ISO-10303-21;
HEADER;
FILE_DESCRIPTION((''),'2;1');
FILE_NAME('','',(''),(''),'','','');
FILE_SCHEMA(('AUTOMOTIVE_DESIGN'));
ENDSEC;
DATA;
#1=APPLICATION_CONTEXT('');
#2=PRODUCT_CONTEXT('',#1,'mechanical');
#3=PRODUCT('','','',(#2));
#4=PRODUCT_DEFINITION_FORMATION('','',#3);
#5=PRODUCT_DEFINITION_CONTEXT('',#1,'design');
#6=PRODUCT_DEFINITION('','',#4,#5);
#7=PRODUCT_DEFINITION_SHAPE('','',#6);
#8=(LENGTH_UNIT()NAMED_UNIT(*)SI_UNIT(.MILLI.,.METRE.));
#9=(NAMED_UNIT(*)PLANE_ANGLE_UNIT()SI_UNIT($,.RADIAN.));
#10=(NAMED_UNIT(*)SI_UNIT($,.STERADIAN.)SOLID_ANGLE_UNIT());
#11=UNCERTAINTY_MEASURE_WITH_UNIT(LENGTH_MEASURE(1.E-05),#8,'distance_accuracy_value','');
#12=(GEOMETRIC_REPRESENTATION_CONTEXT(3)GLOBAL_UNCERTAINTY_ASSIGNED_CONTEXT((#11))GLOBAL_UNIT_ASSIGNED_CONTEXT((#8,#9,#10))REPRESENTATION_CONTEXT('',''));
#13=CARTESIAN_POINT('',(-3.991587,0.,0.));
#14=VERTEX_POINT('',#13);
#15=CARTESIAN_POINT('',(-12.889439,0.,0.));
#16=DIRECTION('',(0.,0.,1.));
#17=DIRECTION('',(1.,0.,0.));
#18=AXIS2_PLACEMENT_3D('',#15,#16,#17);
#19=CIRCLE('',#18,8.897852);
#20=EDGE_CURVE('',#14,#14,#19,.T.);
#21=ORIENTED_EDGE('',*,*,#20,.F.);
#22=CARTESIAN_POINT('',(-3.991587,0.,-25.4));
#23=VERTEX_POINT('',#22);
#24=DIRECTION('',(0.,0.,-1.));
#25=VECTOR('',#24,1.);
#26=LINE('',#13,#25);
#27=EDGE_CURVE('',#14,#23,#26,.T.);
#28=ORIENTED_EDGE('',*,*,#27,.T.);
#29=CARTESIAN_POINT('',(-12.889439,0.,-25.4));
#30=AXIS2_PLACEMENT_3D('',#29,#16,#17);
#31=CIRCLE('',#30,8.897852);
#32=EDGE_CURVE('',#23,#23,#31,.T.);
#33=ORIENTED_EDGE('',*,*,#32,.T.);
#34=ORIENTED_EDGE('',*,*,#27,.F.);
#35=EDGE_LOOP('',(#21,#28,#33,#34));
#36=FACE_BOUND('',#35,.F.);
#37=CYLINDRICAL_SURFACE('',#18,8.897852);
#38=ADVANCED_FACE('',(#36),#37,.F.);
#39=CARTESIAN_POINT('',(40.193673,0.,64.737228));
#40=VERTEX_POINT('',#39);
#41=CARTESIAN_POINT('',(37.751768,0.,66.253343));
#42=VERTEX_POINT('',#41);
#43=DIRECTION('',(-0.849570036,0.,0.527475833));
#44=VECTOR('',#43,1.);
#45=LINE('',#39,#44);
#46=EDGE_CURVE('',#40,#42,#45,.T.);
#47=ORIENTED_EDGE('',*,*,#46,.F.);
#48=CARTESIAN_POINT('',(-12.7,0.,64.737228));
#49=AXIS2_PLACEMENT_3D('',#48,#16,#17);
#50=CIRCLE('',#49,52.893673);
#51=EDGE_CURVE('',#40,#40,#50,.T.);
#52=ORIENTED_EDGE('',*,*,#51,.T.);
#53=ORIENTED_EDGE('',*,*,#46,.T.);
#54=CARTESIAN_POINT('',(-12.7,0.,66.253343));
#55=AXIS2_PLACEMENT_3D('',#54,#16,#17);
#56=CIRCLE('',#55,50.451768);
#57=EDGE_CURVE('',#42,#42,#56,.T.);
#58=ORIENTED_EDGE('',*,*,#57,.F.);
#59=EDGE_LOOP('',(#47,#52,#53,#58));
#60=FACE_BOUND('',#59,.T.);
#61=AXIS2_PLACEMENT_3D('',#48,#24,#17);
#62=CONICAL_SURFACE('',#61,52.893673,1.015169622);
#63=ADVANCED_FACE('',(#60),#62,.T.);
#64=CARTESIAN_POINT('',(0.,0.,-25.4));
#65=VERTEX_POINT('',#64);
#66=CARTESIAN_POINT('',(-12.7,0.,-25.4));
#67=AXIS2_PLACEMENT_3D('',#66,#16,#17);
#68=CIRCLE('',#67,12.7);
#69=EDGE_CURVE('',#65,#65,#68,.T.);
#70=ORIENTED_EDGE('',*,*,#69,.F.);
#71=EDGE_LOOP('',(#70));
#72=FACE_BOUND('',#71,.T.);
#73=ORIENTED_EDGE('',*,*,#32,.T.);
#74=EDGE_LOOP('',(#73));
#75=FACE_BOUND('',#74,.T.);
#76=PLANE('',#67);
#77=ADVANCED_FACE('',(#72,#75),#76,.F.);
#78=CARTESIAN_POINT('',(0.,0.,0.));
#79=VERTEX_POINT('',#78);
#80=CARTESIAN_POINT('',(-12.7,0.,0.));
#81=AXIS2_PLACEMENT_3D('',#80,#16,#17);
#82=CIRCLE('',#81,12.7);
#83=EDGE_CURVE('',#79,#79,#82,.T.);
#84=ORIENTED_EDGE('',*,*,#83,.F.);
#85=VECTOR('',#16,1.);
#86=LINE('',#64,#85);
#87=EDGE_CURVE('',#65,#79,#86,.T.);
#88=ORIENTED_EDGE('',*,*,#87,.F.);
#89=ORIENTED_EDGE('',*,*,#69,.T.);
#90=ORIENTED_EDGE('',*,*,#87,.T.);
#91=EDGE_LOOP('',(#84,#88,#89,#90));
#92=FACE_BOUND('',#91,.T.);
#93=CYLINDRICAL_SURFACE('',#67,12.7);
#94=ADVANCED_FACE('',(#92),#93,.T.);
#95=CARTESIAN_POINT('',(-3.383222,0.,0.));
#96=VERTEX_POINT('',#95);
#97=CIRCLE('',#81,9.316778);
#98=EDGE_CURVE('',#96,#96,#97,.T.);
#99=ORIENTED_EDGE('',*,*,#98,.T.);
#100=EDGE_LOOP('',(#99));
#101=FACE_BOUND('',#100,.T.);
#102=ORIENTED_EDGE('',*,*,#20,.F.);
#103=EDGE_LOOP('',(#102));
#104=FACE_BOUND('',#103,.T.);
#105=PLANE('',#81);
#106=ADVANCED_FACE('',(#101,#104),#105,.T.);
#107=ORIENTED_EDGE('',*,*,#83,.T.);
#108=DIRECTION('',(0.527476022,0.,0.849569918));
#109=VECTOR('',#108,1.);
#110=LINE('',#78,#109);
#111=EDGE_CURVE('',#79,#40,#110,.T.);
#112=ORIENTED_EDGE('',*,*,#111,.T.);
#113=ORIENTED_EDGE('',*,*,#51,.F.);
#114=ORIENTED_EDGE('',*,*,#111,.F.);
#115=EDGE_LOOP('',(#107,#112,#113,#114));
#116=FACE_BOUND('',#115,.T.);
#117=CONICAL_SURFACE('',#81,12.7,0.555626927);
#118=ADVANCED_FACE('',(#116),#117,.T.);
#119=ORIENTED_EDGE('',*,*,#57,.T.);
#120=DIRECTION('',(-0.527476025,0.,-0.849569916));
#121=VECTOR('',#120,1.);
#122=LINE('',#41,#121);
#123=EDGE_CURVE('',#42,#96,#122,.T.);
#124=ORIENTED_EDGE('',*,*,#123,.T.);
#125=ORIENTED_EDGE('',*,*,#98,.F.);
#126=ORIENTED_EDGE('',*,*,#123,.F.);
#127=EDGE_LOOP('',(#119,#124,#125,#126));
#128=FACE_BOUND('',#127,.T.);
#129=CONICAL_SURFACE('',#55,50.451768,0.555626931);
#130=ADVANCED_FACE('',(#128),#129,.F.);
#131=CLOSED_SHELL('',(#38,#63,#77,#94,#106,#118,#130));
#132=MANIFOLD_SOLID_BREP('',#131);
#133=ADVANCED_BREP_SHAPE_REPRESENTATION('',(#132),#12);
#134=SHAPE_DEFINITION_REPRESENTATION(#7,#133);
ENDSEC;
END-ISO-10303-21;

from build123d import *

# Parameters (mm, degrees)
F2_R     = 7.582506
F3_DEPTH = 25.4
F4_R     = 8.897852
F5_DEPTH = 25.4


with BuildPart() as f1:
    # F0 (on Front) → F1 (revolve)
    with BuildSketch(Plane.XZ):
        Polygon((0, -25.4), (0, 0), (40.193673, 64.737228), (37.751768, 66.253343), (-3.383222, 0), (-12.7, 0), (-12.7, -25.4), align=None)
    revolve(axis=Axis((-12.7, 0, -12.7), (0, 0, 1)))

    # F2 (on face) → F3 (cut)
    with BuildSketch(Plane.XY):
        with Locations((-12.7, 0)):
            Circle(F2_R)
    extrude(amount=-F3_DEPTH, mode=Mode.SUBTRACT)

    # F4 (on Top) → F5 (cut)
    with BuildSketch(Plane.XY):
        with Locations((-12.889439, 0)):
            Circle(F4_R)
    extrude(amount=-F5_DEPTH, mode=Mode.SUBTRACT)


solid = f1.part
